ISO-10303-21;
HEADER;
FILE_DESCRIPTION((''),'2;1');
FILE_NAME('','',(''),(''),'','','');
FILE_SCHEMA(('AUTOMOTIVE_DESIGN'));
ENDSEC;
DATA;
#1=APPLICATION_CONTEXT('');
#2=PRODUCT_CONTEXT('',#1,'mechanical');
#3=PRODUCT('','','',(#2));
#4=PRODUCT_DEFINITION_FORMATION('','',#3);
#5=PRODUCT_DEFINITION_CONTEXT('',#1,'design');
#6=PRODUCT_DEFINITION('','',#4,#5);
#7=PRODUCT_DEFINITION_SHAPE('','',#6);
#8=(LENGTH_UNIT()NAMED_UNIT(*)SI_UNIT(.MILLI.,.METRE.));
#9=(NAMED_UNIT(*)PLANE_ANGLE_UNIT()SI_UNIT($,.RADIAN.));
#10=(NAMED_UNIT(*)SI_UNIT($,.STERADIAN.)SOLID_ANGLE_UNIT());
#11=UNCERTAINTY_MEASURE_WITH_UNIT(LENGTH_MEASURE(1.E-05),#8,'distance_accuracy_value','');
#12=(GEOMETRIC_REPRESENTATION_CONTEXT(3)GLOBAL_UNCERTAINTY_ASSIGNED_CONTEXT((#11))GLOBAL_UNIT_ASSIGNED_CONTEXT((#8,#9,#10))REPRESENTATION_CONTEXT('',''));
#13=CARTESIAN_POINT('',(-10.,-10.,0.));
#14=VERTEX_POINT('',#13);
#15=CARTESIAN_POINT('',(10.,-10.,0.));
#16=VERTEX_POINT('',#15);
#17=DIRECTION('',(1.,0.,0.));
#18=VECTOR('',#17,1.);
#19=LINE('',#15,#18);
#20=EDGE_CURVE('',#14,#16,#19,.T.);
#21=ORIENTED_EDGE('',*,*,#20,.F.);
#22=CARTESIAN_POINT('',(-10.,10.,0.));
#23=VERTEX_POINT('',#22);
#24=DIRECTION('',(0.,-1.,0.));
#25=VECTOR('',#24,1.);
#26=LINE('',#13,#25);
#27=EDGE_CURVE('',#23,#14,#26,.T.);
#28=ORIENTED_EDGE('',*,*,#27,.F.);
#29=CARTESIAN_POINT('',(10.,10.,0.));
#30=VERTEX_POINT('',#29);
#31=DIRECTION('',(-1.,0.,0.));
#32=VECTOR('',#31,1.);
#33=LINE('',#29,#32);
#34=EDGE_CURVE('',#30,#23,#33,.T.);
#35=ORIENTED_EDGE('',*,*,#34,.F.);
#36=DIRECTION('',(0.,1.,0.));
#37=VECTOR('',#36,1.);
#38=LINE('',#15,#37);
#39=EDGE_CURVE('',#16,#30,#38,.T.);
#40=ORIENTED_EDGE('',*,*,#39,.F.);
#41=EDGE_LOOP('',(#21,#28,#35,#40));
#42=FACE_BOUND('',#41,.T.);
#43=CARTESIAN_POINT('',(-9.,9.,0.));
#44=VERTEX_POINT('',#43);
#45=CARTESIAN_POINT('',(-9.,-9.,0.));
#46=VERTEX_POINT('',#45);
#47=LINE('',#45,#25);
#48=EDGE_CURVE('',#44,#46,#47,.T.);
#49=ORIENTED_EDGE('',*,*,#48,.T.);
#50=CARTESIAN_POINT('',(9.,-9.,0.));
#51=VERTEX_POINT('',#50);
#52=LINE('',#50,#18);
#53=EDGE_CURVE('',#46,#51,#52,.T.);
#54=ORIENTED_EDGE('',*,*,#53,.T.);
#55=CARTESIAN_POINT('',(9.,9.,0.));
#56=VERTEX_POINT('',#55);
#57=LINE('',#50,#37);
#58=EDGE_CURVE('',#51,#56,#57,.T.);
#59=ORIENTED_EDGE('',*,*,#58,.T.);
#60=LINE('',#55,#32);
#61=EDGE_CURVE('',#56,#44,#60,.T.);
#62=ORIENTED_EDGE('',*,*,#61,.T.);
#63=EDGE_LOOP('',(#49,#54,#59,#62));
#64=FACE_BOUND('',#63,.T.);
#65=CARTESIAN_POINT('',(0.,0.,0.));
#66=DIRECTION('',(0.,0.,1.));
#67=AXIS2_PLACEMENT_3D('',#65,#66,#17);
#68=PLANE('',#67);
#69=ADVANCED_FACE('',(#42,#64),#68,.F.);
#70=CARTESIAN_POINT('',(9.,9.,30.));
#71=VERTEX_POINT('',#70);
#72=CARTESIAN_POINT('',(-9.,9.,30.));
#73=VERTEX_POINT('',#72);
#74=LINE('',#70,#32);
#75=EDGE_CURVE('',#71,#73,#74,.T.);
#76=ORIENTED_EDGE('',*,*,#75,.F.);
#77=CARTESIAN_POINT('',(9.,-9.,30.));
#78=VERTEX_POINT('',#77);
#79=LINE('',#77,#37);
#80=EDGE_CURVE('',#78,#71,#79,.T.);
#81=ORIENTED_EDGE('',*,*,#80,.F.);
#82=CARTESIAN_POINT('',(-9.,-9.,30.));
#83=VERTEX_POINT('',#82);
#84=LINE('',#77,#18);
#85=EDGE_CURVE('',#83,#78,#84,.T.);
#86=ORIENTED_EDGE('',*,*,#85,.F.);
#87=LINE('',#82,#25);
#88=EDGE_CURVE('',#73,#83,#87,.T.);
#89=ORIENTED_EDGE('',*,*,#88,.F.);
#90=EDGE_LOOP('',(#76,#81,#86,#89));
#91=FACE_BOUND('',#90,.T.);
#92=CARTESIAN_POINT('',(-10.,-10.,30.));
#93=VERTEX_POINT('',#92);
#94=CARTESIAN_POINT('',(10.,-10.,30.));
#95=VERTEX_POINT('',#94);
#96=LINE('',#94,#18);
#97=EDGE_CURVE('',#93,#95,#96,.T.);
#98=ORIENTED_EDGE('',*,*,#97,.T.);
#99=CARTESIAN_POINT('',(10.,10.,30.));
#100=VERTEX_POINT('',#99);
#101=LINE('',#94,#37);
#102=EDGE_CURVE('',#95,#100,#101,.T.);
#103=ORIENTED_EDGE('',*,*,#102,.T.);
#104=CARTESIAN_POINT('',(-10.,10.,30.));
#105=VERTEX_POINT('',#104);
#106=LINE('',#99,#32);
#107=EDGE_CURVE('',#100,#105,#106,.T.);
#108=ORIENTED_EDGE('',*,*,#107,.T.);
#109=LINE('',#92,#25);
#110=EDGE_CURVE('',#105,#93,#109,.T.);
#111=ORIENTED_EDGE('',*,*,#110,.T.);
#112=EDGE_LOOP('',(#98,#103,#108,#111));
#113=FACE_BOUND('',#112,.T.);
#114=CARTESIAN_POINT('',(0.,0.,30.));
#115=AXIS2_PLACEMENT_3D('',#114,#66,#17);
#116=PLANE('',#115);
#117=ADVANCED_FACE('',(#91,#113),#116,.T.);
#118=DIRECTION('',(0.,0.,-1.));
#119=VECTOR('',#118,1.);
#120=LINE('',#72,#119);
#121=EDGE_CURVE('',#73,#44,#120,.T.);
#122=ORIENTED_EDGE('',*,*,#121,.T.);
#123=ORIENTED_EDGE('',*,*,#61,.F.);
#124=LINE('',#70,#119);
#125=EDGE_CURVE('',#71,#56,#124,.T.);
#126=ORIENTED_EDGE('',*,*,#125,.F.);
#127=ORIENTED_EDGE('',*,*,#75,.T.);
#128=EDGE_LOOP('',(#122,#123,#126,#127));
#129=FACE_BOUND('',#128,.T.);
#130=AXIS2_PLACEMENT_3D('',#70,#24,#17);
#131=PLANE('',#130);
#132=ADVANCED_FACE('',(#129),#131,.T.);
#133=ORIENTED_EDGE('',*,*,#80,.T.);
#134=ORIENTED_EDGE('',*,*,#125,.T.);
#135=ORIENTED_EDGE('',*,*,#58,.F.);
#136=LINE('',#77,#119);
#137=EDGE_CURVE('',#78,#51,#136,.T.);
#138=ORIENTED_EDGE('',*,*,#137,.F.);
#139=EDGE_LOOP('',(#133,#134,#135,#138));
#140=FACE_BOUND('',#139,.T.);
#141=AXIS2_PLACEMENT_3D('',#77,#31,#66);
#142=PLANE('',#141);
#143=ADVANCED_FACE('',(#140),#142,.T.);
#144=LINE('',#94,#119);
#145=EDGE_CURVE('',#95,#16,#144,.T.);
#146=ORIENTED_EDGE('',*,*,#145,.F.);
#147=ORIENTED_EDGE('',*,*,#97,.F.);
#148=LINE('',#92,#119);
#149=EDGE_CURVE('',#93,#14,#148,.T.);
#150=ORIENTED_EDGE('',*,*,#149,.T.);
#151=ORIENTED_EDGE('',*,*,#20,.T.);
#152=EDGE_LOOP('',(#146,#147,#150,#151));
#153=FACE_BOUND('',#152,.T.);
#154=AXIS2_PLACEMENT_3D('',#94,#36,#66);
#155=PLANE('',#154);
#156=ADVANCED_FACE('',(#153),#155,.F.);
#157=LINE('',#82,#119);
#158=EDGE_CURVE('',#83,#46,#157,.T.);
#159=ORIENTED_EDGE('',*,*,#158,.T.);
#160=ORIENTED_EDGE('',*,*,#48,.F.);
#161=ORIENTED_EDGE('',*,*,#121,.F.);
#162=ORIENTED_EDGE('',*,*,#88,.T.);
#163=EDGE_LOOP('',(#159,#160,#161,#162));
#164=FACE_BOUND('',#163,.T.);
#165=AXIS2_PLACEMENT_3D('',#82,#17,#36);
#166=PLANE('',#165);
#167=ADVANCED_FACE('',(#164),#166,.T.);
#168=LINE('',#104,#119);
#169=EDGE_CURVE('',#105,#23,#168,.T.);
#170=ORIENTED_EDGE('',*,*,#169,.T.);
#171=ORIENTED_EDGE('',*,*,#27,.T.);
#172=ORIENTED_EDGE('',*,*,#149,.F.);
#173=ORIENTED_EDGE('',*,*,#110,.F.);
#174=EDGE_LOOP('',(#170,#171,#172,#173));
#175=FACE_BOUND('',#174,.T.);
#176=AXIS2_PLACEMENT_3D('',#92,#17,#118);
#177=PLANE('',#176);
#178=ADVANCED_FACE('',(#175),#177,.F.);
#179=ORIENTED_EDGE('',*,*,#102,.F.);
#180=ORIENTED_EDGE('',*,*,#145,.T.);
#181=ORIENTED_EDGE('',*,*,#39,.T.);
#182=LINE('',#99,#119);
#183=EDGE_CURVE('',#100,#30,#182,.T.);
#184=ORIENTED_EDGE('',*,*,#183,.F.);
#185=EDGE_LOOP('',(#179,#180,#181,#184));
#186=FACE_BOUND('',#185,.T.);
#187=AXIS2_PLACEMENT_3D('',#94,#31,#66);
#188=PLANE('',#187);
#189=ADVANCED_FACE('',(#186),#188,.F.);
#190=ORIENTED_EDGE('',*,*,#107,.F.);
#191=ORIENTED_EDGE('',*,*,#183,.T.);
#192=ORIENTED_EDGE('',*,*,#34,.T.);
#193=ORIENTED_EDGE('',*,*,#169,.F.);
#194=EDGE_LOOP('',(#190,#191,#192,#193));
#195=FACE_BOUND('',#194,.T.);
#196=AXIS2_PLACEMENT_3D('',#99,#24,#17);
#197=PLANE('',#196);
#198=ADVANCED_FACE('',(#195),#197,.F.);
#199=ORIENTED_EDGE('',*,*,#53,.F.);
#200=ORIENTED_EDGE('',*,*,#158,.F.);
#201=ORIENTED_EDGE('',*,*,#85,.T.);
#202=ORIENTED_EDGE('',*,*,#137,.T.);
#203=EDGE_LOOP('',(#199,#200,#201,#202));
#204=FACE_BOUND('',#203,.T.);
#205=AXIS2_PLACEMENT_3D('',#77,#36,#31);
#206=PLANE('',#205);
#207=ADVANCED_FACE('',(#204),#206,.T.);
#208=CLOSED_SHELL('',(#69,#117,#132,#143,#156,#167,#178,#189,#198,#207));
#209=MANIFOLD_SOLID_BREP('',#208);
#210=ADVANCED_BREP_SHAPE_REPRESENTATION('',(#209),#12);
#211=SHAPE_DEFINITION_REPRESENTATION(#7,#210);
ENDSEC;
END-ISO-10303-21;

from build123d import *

# Parameters (mm, degrees)
ESQUISSE3_W        = 20
ESQUISSE3_H        = 20
ESQUISSE3_W_2      = 18
ESQUISSE3_H_2      = 18
BOSS_EXTRU_1_DEPTH = 30


with BuildPart() as part:
    # Esquisse3 → Boss.-Extru.1 (new body)
    with BuildSketch(Plane.XY):
        Rectangle(ESQUISSE3_W, ESQUISSE3_H)
        Rectangle(ESQUISSE3_W_2, ESQUISSE3_H_2, mode=Mode.SUBTRACT)
    extrude(amount=BOSS_EXTRU_1_DEPTH)


solid = part.part
